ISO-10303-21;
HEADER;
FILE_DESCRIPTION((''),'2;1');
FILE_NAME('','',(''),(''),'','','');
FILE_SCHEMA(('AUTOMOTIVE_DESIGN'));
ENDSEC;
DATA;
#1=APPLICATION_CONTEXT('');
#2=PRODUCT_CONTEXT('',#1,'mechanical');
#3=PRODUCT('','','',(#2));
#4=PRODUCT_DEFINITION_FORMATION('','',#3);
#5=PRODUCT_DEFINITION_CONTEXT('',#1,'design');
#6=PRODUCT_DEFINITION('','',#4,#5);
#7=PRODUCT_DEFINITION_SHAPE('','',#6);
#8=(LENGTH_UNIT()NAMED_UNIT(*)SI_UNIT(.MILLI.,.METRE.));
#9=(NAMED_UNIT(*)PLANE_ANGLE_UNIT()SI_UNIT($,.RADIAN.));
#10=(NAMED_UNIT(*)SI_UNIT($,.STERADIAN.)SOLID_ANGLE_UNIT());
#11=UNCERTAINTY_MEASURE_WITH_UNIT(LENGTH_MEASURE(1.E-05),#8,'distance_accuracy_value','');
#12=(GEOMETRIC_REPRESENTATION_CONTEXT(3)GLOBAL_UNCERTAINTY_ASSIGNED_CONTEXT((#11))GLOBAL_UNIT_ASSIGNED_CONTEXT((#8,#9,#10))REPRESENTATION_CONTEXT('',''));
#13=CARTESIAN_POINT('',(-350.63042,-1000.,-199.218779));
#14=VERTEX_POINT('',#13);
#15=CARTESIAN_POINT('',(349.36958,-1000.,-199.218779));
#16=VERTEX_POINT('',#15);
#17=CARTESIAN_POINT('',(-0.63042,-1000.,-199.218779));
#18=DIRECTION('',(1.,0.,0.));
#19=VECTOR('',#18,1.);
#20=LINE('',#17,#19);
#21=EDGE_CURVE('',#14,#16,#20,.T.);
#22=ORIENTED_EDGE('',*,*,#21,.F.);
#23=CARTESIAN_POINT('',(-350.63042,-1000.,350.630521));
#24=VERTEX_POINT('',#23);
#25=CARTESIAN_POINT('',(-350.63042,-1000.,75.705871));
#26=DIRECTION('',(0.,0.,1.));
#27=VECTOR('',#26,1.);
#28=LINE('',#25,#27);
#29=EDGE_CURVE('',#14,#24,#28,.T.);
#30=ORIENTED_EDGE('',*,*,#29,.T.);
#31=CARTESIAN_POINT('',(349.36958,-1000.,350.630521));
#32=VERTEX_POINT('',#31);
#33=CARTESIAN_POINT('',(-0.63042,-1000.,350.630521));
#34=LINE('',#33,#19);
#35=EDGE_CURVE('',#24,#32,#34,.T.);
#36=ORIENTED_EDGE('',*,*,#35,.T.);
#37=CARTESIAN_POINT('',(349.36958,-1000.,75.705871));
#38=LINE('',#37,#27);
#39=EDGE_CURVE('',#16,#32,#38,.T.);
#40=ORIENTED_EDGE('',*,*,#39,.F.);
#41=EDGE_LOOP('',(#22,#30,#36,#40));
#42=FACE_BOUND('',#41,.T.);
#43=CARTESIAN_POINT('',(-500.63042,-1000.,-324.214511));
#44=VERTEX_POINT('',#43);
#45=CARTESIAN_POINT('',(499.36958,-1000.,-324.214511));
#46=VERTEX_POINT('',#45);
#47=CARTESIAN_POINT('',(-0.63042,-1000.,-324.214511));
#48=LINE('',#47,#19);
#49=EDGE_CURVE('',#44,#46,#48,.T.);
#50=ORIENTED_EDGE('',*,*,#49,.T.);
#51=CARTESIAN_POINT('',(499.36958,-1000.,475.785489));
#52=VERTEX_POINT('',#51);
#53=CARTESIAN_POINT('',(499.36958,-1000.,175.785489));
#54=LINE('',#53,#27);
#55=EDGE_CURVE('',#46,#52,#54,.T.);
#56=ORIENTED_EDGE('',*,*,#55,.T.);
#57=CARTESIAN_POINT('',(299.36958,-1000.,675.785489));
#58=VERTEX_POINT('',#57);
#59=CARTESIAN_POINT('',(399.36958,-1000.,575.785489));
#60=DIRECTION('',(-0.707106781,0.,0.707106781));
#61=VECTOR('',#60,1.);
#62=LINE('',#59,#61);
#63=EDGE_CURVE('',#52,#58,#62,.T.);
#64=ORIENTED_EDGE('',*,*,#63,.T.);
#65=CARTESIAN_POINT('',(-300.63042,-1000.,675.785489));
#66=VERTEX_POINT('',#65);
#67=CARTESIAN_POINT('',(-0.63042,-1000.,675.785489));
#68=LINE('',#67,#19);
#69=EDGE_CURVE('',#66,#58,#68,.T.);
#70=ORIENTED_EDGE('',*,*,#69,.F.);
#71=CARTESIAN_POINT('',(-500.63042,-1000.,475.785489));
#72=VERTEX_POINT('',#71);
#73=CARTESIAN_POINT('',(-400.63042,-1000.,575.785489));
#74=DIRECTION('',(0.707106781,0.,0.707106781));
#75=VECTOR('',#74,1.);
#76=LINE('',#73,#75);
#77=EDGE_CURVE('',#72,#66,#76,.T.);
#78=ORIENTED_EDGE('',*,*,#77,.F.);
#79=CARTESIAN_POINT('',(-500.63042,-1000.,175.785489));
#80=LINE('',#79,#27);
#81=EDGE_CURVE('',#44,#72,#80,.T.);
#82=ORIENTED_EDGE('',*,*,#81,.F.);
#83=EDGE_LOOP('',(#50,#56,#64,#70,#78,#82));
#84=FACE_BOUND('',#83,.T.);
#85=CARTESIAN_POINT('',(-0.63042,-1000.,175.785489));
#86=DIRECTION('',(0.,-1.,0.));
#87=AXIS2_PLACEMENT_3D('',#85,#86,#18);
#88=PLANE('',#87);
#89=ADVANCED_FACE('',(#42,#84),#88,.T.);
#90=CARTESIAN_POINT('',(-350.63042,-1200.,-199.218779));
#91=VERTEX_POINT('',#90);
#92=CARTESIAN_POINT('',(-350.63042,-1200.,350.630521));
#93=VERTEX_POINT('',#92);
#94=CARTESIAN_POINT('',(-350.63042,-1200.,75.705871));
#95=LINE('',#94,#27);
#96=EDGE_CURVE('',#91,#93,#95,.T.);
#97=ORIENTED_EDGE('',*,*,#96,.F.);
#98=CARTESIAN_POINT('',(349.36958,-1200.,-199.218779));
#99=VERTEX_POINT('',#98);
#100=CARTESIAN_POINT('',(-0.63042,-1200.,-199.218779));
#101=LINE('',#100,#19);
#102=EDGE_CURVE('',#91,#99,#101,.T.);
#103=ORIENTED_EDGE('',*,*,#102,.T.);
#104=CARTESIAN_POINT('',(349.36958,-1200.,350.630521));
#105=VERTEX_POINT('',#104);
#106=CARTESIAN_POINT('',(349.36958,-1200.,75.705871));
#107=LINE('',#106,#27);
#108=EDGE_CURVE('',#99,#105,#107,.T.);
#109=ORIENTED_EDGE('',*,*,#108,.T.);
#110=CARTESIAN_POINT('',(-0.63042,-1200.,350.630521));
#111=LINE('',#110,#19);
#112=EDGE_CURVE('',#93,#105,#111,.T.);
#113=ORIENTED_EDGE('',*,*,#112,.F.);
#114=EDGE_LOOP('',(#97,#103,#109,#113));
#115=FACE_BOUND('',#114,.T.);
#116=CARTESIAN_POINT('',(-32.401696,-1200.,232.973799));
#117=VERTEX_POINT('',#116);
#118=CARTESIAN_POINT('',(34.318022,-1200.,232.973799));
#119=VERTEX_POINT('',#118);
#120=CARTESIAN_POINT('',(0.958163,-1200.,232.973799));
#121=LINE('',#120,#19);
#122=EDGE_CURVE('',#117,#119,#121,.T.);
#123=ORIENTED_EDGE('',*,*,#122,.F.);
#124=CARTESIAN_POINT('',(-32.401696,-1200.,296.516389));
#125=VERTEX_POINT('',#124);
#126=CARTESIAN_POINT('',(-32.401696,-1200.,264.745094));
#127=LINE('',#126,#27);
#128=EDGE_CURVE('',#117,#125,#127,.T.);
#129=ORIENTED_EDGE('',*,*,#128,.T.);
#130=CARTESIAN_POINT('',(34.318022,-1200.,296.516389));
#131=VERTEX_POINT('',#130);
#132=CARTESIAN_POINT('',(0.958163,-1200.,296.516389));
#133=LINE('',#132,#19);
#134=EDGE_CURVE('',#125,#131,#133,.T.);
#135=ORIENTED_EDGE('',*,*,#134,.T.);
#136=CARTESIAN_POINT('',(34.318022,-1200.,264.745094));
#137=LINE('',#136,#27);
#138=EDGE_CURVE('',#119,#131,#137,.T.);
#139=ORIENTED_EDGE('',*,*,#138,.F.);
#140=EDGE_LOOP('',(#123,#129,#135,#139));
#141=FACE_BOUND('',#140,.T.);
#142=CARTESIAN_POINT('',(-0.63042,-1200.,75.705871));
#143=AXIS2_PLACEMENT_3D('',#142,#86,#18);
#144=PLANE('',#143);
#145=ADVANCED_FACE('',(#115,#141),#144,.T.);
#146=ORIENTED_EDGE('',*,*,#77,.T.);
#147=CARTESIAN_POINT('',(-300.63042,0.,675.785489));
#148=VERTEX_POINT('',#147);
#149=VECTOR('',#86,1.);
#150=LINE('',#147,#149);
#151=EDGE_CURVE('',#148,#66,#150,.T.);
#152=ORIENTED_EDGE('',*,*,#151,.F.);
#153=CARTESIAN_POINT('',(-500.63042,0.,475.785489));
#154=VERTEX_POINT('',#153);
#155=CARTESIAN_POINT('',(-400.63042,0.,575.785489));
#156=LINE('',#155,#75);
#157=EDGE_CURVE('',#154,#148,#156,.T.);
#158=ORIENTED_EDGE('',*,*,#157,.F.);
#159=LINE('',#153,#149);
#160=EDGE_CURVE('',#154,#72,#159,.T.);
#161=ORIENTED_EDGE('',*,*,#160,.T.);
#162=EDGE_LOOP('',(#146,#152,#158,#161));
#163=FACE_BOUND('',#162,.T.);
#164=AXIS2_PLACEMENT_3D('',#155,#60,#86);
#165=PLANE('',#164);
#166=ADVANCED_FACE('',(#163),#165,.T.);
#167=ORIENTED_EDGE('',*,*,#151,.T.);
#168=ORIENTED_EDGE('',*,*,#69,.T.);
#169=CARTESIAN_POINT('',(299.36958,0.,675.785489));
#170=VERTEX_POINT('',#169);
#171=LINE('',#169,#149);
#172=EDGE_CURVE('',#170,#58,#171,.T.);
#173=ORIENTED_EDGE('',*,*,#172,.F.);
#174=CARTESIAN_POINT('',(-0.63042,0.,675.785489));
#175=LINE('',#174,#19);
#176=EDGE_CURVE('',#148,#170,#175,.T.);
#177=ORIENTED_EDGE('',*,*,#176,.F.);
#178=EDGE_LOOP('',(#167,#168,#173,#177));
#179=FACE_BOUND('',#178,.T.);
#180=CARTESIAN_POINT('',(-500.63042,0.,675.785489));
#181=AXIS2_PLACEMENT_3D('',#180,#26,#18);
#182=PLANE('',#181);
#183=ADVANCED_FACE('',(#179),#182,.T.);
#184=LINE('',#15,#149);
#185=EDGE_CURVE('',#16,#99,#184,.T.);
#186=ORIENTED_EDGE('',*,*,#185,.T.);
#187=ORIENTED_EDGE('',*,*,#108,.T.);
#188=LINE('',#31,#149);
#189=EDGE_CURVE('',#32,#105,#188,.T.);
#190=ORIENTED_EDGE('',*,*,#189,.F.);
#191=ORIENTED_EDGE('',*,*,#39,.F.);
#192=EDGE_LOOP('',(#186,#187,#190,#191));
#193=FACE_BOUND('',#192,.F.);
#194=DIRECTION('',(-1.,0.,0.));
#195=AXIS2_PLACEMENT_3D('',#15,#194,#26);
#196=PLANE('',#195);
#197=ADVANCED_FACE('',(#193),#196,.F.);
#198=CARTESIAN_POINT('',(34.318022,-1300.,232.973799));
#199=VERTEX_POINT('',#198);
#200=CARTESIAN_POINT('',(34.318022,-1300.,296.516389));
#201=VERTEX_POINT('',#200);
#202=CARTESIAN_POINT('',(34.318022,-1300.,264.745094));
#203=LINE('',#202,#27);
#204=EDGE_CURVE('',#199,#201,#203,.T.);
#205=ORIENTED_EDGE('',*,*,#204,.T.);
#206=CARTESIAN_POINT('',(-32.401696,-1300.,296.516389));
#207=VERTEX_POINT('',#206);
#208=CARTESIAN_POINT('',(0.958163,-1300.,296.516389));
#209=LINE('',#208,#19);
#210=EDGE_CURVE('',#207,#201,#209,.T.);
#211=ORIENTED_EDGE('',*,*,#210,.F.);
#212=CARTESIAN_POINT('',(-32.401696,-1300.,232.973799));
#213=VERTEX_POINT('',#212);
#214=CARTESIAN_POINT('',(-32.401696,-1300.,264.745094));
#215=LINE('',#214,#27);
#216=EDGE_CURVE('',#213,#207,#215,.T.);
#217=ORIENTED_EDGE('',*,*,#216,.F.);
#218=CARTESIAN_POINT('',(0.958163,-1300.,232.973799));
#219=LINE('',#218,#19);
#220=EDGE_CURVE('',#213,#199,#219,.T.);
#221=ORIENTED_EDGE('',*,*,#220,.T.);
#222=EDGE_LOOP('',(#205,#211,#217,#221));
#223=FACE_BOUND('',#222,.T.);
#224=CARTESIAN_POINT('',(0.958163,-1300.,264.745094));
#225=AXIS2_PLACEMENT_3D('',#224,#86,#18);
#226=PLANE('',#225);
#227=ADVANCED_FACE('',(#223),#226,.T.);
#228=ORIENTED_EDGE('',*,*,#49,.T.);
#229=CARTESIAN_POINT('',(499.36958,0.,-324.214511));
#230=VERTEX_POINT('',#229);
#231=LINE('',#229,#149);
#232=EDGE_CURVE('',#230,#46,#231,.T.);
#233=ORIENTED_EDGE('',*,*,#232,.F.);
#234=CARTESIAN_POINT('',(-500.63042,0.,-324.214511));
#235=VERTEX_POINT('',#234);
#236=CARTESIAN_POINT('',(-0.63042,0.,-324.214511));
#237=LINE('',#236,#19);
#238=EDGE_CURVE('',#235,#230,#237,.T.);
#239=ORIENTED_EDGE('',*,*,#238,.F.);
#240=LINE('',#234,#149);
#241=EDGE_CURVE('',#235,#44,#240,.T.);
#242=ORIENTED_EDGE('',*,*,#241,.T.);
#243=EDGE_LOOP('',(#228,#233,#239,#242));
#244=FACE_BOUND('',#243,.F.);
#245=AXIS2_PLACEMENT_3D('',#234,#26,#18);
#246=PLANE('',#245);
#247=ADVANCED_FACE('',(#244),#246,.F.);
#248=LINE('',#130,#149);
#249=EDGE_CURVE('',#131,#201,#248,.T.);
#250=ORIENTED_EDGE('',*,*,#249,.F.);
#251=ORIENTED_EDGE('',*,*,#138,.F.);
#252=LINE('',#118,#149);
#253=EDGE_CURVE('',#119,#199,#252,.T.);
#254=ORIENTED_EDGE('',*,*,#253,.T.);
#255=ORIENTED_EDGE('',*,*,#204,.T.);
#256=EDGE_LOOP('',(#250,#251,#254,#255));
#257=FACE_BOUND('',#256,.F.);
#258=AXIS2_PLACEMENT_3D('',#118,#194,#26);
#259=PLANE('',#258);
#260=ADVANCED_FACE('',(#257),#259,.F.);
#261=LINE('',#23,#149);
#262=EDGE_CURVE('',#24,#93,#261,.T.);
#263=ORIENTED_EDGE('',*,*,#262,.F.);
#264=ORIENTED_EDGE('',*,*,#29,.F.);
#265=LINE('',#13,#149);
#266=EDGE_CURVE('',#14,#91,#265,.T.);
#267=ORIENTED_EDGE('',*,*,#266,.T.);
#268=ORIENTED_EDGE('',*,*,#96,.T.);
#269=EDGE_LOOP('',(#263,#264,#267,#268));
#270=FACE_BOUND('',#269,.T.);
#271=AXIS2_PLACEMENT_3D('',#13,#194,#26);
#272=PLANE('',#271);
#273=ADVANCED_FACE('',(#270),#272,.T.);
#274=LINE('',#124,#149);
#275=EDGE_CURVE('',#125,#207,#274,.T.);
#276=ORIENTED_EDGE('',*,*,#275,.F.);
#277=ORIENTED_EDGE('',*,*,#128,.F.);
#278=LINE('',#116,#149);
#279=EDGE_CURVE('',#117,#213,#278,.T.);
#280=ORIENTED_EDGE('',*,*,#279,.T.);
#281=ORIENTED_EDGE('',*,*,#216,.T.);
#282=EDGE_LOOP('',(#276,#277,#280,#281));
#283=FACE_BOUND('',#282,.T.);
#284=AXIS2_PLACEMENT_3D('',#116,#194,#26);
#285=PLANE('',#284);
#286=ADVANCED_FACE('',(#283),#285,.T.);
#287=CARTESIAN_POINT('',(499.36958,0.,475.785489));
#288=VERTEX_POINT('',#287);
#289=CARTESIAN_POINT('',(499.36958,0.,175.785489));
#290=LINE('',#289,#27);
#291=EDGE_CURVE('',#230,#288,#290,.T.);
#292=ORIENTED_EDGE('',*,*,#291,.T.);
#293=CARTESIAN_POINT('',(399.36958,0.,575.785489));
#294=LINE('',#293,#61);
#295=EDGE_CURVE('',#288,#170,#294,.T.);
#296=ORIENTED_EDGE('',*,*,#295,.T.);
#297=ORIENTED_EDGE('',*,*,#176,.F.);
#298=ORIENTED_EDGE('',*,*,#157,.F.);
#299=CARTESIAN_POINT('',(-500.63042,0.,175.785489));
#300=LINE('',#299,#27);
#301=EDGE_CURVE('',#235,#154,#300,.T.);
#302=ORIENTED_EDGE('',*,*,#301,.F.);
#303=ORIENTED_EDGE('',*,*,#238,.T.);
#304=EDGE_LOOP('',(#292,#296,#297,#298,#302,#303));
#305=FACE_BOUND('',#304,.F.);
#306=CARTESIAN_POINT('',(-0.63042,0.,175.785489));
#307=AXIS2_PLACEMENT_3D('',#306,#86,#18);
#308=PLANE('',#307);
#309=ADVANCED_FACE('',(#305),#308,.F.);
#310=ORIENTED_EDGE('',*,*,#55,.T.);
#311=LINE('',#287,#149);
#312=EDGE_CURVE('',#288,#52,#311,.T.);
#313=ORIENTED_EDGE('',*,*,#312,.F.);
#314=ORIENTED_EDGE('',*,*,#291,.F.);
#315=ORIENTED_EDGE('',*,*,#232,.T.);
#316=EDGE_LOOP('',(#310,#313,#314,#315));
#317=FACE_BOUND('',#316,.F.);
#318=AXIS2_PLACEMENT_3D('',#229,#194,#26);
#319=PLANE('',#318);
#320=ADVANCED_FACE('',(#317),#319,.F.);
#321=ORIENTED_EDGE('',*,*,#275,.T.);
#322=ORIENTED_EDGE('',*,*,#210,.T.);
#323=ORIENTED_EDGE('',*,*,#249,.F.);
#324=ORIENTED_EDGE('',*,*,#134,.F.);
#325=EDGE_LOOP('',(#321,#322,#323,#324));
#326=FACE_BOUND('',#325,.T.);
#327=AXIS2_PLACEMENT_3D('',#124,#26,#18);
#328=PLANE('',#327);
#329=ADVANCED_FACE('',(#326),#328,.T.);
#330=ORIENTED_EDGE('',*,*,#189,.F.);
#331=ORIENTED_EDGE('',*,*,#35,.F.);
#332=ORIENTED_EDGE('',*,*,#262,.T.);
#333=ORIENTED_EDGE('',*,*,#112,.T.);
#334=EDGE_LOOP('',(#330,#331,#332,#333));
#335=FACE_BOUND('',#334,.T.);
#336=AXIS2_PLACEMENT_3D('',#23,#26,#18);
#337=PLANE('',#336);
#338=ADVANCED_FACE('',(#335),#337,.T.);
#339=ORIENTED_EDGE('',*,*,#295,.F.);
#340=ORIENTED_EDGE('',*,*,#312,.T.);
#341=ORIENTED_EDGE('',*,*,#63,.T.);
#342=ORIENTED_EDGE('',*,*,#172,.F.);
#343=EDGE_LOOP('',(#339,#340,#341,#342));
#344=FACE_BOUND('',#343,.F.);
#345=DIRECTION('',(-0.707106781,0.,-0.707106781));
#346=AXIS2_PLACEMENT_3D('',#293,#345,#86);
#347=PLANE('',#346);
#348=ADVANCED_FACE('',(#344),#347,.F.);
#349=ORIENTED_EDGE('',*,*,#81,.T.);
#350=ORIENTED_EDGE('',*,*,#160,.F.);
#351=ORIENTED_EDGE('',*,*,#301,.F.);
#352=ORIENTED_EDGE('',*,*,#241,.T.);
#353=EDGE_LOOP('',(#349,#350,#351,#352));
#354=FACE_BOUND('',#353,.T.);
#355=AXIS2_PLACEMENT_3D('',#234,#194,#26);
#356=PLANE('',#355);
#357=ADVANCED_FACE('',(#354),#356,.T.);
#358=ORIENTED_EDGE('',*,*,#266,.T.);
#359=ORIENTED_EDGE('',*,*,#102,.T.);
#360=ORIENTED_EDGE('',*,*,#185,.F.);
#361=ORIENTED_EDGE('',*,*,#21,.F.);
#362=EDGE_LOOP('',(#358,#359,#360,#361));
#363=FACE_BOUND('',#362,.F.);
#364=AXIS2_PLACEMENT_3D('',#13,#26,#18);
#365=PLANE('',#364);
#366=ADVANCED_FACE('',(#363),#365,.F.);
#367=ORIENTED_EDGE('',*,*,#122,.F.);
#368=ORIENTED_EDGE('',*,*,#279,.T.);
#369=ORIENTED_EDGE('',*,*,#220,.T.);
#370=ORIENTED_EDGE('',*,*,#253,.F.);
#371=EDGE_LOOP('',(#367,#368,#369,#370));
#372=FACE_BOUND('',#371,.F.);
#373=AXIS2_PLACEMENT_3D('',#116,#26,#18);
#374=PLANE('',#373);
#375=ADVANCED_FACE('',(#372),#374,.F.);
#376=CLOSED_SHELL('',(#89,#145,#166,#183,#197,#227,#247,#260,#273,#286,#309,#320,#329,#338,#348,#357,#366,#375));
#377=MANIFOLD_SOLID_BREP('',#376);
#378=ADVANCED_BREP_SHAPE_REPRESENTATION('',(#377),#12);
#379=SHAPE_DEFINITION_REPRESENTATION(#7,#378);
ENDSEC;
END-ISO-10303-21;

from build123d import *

# Parameters (mm, degrees)
F0_W     = 1000
F0_H     = 1000
F1_DEPTH = 1000
F2_SIZE  = 200
F3_W     = 700
F3_H     = 549.8493
F4_DEPTH = 200
F5_W     = 66.719718
F5_H     = 63.54259
F6_DEPTH = 100


with BuildPart() as f1:
    # F0 (on Front) → F1 (new body)
    with BuildSketch(Plane.XZ):
        with Locations((-0.63042, 175.785489)):
            Rectangle(F0_W, F0_H)
    extrude(amount=F1_DEPTH)

    # F2
    f2_edges = [f1.edges().sort_by_distance(p)[0] for p in [
        (-500.63042, -500, 675.785489),
        (499.36958, -500, 675.785489),
    ]]
    chamfer(f2_edges, length=F2_SIZE)

    # F3 (on face) → F4 (join)
    with BuildSketch(Plane.XZ.offset(1000)):
        with Locations((-0.63042, 75.705871)):
            Rectangle(F3_W, F3_H)
    extrude(amount=F4_DEPTH)

    # F5 (on face) → F6 (join)
    with BuildSketch(Plane.XZ.offset(1200)):
        with Locations((0.958163, 264.745094)):
            Rectangle(F5_W, F5_H)
    extrude(amount=F6_DEPTH)


solid = f1.part
